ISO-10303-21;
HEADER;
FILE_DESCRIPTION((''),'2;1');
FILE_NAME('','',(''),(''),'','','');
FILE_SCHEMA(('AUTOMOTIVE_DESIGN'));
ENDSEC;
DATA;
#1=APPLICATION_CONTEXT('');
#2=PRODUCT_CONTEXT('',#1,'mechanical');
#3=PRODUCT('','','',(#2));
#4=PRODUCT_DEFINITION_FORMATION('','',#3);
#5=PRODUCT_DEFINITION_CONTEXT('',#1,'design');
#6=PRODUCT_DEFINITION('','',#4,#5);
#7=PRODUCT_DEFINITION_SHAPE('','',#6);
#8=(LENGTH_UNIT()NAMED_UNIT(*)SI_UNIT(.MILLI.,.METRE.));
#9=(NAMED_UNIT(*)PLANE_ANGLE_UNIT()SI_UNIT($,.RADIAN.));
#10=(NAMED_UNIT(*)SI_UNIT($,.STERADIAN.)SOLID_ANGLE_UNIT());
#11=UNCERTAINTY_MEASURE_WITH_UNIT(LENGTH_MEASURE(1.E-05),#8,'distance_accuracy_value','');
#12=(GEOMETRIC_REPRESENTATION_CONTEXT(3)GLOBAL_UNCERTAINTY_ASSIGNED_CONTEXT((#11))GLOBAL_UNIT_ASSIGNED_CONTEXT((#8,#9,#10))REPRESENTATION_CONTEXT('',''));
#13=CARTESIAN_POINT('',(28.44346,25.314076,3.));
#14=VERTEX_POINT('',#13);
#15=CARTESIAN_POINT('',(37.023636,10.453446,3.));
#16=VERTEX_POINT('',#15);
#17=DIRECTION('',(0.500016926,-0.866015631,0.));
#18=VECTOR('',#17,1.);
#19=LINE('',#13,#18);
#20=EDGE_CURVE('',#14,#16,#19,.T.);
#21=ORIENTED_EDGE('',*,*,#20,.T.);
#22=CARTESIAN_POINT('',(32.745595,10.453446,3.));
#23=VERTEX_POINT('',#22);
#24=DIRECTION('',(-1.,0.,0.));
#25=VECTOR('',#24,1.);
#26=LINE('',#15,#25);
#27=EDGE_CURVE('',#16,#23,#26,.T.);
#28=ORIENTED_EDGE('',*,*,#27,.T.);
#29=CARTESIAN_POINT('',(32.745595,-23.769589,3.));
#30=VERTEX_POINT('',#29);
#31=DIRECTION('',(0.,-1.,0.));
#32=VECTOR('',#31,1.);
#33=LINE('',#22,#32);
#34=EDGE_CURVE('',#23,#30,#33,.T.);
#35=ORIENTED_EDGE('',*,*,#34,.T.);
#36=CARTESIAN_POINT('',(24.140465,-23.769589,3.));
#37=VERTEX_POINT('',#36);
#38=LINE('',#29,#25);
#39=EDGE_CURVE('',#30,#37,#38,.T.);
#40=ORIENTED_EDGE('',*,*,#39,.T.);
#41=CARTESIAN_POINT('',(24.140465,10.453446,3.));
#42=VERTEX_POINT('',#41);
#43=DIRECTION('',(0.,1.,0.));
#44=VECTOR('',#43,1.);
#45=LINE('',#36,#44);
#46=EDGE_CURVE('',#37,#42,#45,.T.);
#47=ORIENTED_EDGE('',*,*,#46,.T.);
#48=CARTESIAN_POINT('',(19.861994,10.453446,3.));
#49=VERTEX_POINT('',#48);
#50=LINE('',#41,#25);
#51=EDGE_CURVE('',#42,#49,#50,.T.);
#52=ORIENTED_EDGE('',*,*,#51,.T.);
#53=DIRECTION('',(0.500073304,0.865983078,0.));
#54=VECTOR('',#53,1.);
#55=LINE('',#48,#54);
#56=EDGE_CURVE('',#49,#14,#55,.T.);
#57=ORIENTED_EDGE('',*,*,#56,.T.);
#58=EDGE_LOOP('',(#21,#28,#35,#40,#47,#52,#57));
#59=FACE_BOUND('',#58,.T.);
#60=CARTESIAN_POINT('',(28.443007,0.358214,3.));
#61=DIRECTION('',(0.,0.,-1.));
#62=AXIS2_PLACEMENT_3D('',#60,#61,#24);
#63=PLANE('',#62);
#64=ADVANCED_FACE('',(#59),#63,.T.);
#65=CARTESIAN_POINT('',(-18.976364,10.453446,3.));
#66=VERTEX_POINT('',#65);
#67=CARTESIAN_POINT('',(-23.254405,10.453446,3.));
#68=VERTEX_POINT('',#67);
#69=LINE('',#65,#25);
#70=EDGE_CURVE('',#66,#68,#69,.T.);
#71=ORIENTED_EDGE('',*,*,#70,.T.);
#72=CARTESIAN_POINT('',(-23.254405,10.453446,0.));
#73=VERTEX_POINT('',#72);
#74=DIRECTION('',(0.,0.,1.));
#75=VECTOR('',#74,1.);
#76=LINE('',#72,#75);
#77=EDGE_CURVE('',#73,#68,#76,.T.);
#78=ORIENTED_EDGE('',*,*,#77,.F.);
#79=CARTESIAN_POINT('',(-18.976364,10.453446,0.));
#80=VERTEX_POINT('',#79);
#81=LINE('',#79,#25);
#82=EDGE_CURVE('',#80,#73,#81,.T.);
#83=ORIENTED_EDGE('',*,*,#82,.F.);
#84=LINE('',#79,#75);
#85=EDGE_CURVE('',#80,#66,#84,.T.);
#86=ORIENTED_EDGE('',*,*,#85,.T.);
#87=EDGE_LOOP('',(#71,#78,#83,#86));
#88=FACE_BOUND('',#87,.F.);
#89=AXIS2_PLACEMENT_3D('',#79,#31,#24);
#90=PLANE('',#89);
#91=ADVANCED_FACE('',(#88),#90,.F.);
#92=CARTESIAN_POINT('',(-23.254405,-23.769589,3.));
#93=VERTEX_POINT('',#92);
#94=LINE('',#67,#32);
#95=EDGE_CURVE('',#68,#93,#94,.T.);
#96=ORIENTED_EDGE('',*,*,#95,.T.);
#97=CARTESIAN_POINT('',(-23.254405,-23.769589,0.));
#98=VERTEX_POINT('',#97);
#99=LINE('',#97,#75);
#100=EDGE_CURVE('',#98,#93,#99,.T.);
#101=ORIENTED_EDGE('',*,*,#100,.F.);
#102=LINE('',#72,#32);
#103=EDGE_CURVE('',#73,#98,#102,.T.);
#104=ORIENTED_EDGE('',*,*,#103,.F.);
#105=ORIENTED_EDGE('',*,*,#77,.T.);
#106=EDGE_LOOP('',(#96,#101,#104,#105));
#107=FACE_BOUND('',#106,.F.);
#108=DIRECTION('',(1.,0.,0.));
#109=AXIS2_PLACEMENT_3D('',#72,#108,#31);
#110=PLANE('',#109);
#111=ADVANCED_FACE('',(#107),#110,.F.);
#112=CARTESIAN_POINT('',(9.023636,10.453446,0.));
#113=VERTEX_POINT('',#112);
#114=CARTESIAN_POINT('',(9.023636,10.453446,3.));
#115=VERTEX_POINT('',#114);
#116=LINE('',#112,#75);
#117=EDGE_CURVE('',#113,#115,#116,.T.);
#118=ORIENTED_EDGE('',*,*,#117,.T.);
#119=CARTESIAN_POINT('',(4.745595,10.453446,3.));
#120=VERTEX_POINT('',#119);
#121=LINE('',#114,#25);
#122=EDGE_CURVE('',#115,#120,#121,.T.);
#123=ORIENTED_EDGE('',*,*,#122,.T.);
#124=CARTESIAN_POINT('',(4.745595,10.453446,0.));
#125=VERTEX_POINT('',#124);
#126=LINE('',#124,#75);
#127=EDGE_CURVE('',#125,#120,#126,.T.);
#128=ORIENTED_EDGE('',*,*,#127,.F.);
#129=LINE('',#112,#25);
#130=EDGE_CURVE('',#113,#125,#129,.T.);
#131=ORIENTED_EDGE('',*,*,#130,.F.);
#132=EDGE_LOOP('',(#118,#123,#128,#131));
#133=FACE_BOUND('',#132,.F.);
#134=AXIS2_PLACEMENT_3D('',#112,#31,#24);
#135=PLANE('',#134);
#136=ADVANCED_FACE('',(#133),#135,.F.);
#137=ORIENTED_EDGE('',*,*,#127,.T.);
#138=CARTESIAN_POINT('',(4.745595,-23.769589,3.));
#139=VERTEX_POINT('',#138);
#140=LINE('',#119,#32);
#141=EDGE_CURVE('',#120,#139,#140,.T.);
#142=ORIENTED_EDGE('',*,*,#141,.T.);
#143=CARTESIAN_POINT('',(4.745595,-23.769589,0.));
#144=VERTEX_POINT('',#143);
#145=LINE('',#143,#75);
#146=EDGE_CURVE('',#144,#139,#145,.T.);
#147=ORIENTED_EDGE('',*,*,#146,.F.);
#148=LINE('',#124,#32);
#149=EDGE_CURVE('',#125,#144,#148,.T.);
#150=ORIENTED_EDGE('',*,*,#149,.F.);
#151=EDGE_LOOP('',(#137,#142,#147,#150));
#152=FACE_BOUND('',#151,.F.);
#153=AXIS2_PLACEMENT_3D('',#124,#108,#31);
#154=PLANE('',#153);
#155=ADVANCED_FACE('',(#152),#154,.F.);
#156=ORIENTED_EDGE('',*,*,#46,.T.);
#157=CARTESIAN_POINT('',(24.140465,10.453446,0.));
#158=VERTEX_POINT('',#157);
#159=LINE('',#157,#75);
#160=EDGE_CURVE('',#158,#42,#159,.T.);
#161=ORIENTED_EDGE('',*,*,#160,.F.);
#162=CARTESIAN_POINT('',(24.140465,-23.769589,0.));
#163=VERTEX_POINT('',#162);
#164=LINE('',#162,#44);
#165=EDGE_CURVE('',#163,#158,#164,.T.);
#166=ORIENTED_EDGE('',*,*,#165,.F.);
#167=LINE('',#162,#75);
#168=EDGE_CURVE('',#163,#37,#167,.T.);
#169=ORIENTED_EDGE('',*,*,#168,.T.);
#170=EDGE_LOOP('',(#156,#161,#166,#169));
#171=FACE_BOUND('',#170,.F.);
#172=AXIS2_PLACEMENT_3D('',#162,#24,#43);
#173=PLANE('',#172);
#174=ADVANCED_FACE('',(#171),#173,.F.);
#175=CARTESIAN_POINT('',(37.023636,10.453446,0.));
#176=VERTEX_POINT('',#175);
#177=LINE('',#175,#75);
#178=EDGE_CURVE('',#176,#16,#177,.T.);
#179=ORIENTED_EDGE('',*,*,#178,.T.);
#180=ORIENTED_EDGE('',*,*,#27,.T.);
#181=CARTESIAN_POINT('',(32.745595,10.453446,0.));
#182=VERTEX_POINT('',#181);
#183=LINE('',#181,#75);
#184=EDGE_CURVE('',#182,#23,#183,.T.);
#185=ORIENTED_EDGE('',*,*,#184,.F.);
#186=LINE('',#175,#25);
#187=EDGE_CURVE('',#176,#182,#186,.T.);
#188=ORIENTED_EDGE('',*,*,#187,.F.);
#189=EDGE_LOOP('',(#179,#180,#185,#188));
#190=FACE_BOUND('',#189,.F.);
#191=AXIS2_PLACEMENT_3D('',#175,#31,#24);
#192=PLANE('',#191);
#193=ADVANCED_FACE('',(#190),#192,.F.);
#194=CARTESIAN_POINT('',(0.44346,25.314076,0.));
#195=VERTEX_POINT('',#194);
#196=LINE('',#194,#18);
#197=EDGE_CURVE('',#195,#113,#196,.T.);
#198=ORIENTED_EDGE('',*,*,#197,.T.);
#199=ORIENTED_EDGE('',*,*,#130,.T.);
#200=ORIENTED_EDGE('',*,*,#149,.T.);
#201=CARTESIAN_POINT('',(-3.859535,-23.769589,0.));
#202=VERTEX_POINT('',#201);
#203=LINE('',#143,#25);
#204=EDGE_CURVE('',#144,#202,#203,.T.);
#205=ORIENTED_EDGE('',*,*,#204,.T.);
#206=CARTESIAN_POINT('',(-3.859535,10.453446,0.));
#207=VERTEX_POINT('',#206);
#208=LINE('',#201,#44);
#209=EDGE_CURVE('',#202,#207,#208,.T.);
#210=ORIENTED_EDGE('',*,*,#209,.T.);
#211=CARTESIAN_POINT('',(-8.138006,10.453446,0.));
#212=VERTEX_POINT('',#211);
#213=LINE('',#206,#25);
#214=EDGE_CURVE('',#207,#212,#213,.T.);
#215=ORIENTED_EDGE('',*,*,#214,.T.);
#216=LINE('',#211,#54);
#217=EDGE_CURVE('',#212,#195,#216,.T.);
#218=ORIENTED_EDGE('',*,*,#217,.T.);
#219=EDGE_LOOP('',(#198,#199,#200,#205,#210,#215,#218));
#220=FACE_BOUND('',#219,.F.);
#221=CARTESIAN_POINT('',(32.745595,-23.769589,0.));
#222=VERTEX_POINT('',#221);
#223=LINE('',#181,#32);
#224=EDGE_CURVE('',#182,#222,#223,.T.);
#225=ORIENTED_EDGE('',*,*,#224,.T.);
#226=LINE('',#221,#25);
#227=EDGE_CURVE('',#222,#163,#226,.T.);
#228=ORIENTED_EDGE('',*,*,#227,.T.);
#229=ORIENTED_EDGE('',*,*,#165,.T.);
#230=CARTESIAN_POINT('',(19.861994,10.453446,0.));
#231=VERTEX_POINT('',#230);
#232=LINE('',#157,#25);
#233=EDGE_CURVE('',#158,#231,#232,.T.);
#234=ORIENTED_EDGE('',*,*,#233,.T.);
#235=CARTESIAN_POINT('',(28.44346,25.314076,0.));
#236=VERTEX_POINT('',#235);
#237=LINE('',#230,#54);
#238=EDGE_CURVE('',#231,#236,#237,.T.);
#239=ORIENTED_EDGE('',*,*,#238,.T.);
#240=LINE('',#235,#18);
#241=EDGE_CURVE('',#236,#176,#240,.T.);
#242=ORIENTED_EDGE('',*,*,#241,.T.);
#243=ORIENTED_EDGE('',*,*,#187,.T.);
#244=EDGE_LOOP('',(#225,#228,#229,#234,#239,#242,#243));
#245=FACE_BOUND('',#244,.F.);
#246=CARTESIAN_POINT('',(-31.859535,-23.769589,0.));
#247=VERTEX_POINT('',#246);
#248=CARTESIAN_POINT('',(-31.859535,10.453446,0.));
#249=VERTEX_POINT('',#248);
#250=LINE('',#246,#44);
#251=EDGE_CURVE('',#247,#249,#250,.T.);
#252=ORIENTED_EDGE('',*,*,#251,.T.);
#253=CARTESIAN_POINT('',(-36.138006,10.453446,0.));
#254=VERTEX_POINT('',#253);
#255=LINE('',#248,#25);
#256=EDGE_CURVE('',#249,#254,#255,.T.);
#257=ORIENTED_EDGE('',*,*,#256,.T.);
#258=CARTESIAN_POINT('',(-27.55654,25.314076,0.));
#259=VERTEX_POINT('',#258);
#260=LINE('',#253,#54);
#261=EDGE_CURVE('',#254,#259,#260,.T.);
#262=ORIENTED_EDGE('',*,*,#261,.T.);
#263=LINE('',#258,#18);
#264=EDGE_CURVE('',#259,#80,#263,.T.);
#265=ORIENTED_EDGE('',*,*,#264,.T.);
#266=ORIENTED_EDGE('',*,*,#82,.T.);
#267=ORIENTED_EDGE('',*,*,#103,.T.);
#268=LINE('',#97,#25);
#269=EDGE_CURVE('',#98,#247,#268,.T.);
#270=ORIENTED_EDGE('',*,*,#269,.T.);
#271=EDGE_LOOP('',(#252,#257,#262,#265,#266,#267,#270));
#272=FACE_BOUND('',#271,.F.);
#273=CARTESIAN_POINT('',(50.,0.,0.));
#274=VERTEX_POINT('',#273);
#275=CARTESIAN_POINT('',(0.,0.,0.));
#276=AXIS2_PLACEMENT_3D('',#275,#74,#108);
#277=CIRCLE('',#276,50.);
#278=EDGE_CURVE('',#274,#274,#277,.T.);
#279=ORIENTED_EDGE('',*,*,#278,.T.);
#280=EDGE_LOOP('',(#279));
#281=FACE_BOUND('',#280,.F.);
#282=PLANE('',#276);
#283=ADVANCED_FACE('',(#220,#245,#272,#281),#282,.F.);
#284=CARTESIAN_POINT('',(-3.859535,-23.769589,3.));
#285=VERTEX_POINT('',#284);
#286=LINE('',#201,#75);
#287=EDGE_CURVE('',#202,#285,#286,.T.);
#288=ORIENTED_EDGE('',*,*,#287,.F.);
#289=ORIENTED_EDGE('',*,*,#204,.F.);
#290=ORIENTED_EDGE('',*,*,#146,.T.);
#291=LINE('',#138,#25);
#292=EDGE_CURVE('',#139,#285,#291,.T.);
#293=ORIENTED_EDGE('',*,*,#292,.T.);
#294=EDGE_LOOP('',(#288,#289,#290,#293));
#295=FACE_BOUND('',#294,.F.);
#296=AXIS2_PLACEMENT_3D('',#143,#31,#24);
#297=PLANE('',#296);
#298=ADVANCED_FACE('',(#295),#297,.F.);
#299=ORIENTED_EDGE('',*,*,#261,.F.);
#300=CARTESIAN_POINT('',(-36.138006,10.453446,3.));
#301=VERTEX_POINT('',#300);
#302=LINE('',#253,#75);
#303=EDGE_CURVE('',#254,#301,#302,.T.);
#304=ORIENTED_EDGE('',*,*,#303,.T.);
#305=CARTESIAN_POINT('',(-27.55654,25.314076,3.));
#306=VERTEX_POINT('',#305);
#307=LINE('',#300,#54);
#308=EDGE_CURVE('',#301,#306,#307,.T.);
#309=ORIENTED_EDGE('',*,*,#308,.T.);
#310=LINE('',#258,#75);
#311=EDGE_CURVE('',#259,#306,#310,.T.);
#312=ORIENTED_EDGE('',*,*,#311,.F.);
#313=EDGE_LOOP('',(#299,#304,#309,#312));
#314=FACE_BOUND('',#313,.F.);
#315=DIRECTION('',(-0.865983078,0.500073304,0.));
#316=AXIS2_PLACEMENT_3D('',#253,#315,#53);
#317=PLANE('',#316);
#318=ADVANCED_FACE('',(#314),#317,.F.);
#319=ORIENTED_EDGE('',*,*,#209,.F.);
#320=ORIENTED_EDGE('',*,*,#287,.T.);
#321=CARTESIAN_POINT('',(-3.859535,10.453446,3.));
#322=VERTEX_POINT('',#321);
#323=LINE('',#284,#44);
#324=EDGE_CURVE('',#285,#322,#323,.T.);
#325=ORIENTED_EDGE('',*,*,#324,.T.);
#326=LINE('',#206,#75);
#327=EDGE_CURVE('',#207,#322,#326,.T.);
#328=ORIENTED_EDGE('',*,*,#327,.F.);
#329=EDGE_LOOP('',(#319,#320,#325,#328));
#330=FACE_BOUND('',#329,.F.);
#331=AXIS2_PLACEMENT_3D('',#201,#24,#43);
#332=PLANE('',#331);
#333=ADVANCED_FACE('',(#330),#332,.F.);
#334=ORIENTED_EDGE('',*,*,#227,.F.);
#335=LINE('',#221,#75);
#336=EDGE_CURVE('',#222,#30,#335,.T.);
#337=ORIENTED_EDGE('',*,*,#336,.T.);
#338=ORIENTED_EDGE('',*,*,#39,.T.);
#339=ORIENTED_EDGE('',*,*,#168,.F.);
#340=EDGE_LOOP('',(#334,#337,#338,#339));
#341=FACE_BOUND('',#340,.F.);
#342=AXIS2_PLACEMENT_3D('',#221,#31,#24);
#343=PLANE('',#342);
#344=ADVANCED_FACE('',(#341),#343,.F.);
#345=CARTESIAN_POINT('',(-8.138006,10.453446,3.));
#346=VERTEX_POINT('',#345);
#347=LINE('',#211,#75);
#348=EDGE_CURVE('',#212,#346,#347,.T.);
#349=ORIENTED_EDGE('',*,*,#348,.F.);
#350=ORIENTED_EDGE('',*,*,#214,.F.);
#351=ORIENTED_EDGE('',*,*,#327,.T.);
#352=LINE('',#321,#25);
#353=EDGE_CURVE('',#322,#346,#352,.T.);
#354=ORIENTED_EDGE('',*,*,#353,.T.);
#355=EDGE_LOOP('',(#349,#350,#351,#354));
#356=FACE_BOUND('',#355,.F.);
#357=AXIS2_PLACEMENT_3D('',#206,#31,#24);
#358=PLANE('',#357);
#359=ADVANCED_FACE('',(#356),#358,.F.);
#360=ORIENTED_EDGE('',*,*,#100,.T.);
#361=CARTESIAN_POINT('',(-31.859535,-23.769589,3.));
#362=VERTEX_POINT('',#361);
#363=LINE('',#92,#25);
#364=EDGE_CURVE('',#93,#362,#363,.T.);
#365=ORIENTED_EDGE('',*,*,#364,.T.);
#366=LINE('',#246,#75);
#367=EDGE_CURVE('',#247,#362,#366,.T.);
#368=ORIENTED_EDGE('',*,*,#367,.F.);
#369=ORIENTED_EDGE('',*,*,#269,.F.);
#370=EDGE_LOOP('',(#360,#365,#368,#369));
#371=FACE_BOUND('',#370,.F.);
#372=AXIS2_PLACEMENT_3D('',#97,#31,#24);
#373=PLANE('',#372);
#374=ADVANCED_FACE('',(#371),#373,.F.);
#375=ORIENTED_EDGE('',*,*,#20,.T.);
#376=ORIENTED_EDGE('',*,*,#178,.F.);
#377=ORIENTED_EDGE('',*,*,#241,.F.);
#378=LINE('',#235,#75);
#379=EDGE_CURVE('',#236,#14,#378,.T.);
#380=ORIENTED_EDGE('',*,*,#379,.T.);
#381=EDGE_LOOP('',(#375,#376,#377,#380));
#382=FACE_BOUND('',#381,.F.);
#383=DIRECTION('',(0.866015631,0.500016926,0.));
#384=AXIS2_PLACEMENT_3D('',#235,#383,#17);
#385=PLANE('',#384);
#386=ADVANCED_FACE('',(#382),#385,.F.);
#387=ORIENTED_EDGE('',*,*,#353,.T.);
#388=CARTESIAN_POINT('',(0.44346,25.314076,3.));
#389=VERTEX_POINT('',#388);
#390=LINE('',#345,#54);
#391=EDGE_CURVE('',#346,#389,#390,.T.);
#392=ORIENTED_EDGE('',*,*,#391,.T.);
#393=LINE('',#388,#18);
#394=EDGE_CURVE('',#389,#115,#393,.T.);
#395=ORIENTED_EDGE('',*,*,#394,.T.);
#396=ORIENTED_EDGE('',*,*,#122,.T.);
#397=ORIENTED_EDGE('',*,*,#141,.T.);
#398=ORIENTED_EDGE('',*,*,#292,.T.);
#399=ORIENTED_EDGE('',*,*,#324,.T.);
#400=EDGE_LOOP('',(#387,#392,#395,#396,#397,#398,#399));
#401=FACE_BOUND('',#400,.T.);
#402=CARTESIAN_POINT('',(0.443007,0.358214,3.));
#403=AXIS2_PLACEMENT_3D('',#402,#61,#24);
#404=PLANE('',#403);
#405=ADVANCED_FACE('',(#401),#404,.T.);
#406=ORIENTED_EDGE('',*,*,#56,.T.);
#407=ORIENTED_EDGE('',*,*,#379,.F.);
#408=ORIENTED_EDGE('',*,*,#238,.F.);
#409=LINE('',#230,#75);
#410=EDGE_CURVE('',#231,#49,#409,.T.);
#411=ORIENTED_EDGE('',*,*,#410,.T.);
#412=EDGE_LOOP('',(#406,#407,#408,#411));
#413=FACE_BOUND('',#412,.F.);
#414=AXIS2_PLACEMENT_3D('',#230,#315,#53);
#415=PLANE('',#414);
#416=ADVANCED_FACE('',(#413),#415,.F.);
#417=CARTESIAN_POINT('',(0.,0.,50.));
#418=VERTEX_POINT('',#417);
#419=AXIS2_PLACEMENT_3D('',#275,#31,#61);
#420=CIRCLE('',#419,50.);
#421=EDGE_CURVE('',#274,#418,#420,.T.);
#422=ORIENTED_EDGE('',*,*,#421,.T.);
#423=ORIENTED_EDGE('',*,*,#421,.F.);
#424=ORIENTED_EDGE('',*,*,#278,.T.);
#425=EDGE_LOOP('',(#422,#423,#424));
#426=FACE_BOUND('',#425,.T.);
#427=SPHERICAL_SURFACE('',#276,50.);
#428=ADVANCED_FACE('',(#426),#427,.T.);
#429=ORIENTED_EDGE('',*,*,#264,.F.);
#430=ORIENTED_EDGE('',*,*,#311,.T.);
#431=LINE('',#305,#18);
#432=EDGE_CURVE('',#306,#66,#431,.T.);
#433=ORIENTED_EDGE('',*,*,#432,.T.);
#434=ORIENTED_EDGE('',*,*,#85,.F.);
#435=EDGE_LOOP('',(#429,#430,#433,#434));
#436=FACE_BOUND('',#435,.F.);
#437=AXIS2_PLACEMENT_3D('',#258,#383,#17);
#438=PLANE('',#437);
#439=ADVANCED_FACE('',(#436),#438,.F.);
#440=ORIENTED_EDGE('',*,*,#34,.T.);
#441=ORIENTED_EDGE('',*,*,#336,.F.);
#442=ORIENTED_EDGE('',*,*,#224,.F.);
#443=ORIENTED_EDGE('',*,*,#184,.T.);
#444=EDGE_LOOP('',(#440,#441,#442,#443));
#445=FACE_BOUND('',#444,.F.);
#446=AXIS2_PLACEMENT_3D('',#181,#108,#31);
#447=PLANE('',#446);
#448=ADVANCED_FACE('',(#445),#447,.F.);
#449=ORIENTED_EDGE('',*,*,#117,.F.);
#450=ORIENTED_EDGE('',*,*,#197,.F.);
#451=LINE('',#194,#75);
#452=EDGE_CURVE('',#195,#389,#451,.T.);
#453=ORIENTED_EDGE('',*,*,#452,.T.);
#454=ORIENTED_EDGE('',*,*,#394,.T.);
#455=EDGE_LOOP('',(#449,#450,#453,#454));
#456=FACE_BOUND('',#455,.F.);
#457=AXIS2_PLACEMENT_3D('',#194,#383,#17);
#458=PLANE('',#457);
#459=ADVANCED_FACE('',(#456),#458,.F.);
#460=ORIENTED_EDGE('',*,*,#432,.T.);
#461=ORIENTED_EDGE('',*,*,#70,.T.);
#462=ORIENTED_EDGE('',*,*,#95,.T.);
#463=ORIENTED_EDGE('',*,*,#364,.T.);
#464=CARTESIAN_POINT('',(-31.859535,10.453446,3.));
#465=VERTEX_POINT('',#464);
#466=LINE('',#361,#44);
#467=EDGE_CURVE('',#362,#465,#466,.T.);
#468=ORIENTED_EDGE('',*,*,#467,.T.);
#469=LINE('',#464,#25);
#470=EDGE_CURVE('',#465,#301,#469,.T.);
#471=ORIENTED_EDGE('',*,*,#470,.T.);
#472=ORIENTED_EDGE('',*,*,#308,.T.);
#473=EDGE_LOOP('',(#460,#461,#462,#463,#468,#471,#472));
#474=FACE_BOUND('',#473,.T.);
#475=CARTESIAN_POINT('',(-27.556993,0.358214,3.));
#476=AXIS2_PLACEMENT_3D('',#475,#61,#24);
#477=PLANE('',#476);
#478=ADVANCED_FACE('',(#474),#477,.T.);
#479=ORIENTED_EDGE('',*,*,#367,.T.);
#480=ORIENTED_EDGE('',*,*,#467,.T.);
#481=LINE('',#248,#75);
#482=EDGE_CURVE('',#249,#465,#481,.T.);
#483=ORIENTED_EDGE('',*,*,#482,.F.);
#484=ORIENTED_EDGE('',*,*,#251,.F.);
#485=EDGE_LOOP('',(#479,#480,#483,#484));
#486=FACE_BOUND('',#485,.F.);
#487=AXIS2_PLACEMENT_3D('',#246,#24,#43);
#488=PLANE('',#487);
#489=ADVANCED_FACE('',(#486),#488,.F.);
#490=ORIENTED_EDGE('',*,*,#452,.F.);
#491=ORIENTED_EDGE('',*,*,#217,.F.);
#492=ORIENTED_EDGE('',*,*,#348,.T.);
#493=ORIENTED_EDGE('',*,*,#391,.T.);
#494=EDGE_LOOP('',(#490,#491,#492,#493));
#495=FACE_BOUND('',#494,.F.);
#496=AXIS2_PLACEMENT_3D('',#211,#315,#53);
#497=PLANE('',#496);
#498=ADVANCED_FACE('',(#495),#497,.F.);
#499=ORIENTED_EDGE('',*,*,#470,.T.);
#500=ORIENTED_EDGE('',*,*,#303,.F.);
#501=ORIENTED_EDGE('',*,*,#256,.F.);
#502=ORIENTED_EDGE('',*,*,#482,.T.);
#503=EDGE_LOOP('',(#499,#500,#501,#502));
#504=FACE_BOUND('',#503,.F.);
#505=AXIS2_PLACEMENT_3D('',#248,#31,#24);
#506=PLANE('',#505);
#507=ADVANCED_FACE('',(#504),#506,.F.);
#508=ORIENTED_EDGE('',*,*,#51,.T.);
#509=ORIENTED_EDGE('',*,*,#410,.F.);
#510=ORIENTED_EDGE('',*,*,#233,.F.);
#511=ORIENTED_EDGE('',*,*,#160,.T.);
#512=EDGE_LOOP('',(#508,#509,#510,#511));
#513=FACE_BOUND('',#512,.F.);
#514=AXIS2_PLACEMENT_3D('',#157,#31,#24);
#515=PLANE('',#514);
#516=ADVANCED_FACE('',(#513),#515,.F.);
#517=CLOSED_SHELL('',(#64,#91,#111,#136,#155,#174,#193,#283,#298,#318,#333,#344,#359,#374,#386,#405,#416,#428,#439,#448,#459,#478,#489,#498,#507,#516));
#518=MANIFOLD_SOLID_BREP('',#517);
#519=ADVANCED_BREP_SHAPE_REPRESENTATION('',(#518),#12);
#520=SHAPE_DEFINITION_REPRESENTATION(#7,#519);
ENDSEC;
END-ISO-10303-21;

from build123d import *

# Parameters (mm, degrees)
EXTRUDE002_DEPTH = 3
EXTRUDE003_DEPTH = 3
EXTRUDE001_DEPTH = 3
RECTANGLE_W      = 100
RECTANGLE_H      = 100
EXTRUDE_DEPTH    = 50


with BuildPart() as extrude002:
    # Fusion001 → Extrude002 (new body)
    with BuildSketch(Plane(origin=(-45, 30, 0), x_dir=(1, 0, 0), z_dir=(0, 0, 1))):
        Polygon((17.44346, -4.685924), (26.023636, -19.546554), (21.745595, -19.546554), (21.745595, -53.769589), (13.140465, -53.769589), (13.140465, -19.546554), (8.861994, -19.546554), align=None)
    extrude(amount=EXTRUDE002_DEPTH)


with BuildPart() as extrude003:
    # Fusion002 → Extrude003 (new body)
    with BuildSketch(Plane(origin=(11, 30, 0), x_dir=(1, 0, 0), z_dir=(0, 0, 1))):
        Polygon((17.44346, -4.685924), (26.023636, -19.546554), (21.745595, -19.546554), (21.745595, -53.769589), (13.140465, -53.769589), (13.140465, -19.546554), (8.861994, -19.546554), align=None)
    extrude(amount=EXTRUDE003_DEPTH)


with BuildPart() as extrude001:
    # Fusion → Extrude001 (new body)
    with BuildSketch(Plane(origin=(-17, 30, 0), x_dir=(1, 0, 0), z_dir=(0, 0, 1))):
        Polygon((17.44346, -4.685924), (26.023636, -19.546554), (21.745595, -19.546554), (21.745595, -53.769589), (13.140465, -53.769589), (13.140465, -19.546554), (8.861994, -19.546554), align=None)
    extrude(amount=EXTRUDE001_DEPTH)


with BuildPart() as extrude_body:
    # Rectangle → Extrude (new body)
    with BuildSketch(Plane(origin=(-50, 50, 0), x_dir=(1, 0, 0), z_dir=(0, 0, 1))):
        with Locations((50, -50)):
            Rectangle(RECTANGLE_W, RECTANGLE_H)
    extrude(amount=-EXTRUDE_DEPTH)


with BuildPart() as counter_bored_magnetization:
    # Sphere → Sphere (revolve)
    with BuildSketch(Plane.XZ):
        with BuildLine():
            ThreePointArc((0, -50), (50, 0), (0, 50))
            Line((0, 50), (0, -50))
        make_face()
    revolve(axis=Axis((0, 0, 0), (0, 0, 1)))

    # Cut: cut Extrude body
    add(extrude_body.part, mode=Mode.SUBTRACT)

    # Cut002: cut Extrude001
    add(extrude001.part, mode=Mode.SUBTRACT)

    # Cut003: cut Extrude003
    add(extrude003.part, mode=Mode.SUBTRACT)

    # Cut004: cut Extrude002
    add(extrude002.part, mode=Mode.SUBTRACT)


solid = counter_bored_magnetization.part
